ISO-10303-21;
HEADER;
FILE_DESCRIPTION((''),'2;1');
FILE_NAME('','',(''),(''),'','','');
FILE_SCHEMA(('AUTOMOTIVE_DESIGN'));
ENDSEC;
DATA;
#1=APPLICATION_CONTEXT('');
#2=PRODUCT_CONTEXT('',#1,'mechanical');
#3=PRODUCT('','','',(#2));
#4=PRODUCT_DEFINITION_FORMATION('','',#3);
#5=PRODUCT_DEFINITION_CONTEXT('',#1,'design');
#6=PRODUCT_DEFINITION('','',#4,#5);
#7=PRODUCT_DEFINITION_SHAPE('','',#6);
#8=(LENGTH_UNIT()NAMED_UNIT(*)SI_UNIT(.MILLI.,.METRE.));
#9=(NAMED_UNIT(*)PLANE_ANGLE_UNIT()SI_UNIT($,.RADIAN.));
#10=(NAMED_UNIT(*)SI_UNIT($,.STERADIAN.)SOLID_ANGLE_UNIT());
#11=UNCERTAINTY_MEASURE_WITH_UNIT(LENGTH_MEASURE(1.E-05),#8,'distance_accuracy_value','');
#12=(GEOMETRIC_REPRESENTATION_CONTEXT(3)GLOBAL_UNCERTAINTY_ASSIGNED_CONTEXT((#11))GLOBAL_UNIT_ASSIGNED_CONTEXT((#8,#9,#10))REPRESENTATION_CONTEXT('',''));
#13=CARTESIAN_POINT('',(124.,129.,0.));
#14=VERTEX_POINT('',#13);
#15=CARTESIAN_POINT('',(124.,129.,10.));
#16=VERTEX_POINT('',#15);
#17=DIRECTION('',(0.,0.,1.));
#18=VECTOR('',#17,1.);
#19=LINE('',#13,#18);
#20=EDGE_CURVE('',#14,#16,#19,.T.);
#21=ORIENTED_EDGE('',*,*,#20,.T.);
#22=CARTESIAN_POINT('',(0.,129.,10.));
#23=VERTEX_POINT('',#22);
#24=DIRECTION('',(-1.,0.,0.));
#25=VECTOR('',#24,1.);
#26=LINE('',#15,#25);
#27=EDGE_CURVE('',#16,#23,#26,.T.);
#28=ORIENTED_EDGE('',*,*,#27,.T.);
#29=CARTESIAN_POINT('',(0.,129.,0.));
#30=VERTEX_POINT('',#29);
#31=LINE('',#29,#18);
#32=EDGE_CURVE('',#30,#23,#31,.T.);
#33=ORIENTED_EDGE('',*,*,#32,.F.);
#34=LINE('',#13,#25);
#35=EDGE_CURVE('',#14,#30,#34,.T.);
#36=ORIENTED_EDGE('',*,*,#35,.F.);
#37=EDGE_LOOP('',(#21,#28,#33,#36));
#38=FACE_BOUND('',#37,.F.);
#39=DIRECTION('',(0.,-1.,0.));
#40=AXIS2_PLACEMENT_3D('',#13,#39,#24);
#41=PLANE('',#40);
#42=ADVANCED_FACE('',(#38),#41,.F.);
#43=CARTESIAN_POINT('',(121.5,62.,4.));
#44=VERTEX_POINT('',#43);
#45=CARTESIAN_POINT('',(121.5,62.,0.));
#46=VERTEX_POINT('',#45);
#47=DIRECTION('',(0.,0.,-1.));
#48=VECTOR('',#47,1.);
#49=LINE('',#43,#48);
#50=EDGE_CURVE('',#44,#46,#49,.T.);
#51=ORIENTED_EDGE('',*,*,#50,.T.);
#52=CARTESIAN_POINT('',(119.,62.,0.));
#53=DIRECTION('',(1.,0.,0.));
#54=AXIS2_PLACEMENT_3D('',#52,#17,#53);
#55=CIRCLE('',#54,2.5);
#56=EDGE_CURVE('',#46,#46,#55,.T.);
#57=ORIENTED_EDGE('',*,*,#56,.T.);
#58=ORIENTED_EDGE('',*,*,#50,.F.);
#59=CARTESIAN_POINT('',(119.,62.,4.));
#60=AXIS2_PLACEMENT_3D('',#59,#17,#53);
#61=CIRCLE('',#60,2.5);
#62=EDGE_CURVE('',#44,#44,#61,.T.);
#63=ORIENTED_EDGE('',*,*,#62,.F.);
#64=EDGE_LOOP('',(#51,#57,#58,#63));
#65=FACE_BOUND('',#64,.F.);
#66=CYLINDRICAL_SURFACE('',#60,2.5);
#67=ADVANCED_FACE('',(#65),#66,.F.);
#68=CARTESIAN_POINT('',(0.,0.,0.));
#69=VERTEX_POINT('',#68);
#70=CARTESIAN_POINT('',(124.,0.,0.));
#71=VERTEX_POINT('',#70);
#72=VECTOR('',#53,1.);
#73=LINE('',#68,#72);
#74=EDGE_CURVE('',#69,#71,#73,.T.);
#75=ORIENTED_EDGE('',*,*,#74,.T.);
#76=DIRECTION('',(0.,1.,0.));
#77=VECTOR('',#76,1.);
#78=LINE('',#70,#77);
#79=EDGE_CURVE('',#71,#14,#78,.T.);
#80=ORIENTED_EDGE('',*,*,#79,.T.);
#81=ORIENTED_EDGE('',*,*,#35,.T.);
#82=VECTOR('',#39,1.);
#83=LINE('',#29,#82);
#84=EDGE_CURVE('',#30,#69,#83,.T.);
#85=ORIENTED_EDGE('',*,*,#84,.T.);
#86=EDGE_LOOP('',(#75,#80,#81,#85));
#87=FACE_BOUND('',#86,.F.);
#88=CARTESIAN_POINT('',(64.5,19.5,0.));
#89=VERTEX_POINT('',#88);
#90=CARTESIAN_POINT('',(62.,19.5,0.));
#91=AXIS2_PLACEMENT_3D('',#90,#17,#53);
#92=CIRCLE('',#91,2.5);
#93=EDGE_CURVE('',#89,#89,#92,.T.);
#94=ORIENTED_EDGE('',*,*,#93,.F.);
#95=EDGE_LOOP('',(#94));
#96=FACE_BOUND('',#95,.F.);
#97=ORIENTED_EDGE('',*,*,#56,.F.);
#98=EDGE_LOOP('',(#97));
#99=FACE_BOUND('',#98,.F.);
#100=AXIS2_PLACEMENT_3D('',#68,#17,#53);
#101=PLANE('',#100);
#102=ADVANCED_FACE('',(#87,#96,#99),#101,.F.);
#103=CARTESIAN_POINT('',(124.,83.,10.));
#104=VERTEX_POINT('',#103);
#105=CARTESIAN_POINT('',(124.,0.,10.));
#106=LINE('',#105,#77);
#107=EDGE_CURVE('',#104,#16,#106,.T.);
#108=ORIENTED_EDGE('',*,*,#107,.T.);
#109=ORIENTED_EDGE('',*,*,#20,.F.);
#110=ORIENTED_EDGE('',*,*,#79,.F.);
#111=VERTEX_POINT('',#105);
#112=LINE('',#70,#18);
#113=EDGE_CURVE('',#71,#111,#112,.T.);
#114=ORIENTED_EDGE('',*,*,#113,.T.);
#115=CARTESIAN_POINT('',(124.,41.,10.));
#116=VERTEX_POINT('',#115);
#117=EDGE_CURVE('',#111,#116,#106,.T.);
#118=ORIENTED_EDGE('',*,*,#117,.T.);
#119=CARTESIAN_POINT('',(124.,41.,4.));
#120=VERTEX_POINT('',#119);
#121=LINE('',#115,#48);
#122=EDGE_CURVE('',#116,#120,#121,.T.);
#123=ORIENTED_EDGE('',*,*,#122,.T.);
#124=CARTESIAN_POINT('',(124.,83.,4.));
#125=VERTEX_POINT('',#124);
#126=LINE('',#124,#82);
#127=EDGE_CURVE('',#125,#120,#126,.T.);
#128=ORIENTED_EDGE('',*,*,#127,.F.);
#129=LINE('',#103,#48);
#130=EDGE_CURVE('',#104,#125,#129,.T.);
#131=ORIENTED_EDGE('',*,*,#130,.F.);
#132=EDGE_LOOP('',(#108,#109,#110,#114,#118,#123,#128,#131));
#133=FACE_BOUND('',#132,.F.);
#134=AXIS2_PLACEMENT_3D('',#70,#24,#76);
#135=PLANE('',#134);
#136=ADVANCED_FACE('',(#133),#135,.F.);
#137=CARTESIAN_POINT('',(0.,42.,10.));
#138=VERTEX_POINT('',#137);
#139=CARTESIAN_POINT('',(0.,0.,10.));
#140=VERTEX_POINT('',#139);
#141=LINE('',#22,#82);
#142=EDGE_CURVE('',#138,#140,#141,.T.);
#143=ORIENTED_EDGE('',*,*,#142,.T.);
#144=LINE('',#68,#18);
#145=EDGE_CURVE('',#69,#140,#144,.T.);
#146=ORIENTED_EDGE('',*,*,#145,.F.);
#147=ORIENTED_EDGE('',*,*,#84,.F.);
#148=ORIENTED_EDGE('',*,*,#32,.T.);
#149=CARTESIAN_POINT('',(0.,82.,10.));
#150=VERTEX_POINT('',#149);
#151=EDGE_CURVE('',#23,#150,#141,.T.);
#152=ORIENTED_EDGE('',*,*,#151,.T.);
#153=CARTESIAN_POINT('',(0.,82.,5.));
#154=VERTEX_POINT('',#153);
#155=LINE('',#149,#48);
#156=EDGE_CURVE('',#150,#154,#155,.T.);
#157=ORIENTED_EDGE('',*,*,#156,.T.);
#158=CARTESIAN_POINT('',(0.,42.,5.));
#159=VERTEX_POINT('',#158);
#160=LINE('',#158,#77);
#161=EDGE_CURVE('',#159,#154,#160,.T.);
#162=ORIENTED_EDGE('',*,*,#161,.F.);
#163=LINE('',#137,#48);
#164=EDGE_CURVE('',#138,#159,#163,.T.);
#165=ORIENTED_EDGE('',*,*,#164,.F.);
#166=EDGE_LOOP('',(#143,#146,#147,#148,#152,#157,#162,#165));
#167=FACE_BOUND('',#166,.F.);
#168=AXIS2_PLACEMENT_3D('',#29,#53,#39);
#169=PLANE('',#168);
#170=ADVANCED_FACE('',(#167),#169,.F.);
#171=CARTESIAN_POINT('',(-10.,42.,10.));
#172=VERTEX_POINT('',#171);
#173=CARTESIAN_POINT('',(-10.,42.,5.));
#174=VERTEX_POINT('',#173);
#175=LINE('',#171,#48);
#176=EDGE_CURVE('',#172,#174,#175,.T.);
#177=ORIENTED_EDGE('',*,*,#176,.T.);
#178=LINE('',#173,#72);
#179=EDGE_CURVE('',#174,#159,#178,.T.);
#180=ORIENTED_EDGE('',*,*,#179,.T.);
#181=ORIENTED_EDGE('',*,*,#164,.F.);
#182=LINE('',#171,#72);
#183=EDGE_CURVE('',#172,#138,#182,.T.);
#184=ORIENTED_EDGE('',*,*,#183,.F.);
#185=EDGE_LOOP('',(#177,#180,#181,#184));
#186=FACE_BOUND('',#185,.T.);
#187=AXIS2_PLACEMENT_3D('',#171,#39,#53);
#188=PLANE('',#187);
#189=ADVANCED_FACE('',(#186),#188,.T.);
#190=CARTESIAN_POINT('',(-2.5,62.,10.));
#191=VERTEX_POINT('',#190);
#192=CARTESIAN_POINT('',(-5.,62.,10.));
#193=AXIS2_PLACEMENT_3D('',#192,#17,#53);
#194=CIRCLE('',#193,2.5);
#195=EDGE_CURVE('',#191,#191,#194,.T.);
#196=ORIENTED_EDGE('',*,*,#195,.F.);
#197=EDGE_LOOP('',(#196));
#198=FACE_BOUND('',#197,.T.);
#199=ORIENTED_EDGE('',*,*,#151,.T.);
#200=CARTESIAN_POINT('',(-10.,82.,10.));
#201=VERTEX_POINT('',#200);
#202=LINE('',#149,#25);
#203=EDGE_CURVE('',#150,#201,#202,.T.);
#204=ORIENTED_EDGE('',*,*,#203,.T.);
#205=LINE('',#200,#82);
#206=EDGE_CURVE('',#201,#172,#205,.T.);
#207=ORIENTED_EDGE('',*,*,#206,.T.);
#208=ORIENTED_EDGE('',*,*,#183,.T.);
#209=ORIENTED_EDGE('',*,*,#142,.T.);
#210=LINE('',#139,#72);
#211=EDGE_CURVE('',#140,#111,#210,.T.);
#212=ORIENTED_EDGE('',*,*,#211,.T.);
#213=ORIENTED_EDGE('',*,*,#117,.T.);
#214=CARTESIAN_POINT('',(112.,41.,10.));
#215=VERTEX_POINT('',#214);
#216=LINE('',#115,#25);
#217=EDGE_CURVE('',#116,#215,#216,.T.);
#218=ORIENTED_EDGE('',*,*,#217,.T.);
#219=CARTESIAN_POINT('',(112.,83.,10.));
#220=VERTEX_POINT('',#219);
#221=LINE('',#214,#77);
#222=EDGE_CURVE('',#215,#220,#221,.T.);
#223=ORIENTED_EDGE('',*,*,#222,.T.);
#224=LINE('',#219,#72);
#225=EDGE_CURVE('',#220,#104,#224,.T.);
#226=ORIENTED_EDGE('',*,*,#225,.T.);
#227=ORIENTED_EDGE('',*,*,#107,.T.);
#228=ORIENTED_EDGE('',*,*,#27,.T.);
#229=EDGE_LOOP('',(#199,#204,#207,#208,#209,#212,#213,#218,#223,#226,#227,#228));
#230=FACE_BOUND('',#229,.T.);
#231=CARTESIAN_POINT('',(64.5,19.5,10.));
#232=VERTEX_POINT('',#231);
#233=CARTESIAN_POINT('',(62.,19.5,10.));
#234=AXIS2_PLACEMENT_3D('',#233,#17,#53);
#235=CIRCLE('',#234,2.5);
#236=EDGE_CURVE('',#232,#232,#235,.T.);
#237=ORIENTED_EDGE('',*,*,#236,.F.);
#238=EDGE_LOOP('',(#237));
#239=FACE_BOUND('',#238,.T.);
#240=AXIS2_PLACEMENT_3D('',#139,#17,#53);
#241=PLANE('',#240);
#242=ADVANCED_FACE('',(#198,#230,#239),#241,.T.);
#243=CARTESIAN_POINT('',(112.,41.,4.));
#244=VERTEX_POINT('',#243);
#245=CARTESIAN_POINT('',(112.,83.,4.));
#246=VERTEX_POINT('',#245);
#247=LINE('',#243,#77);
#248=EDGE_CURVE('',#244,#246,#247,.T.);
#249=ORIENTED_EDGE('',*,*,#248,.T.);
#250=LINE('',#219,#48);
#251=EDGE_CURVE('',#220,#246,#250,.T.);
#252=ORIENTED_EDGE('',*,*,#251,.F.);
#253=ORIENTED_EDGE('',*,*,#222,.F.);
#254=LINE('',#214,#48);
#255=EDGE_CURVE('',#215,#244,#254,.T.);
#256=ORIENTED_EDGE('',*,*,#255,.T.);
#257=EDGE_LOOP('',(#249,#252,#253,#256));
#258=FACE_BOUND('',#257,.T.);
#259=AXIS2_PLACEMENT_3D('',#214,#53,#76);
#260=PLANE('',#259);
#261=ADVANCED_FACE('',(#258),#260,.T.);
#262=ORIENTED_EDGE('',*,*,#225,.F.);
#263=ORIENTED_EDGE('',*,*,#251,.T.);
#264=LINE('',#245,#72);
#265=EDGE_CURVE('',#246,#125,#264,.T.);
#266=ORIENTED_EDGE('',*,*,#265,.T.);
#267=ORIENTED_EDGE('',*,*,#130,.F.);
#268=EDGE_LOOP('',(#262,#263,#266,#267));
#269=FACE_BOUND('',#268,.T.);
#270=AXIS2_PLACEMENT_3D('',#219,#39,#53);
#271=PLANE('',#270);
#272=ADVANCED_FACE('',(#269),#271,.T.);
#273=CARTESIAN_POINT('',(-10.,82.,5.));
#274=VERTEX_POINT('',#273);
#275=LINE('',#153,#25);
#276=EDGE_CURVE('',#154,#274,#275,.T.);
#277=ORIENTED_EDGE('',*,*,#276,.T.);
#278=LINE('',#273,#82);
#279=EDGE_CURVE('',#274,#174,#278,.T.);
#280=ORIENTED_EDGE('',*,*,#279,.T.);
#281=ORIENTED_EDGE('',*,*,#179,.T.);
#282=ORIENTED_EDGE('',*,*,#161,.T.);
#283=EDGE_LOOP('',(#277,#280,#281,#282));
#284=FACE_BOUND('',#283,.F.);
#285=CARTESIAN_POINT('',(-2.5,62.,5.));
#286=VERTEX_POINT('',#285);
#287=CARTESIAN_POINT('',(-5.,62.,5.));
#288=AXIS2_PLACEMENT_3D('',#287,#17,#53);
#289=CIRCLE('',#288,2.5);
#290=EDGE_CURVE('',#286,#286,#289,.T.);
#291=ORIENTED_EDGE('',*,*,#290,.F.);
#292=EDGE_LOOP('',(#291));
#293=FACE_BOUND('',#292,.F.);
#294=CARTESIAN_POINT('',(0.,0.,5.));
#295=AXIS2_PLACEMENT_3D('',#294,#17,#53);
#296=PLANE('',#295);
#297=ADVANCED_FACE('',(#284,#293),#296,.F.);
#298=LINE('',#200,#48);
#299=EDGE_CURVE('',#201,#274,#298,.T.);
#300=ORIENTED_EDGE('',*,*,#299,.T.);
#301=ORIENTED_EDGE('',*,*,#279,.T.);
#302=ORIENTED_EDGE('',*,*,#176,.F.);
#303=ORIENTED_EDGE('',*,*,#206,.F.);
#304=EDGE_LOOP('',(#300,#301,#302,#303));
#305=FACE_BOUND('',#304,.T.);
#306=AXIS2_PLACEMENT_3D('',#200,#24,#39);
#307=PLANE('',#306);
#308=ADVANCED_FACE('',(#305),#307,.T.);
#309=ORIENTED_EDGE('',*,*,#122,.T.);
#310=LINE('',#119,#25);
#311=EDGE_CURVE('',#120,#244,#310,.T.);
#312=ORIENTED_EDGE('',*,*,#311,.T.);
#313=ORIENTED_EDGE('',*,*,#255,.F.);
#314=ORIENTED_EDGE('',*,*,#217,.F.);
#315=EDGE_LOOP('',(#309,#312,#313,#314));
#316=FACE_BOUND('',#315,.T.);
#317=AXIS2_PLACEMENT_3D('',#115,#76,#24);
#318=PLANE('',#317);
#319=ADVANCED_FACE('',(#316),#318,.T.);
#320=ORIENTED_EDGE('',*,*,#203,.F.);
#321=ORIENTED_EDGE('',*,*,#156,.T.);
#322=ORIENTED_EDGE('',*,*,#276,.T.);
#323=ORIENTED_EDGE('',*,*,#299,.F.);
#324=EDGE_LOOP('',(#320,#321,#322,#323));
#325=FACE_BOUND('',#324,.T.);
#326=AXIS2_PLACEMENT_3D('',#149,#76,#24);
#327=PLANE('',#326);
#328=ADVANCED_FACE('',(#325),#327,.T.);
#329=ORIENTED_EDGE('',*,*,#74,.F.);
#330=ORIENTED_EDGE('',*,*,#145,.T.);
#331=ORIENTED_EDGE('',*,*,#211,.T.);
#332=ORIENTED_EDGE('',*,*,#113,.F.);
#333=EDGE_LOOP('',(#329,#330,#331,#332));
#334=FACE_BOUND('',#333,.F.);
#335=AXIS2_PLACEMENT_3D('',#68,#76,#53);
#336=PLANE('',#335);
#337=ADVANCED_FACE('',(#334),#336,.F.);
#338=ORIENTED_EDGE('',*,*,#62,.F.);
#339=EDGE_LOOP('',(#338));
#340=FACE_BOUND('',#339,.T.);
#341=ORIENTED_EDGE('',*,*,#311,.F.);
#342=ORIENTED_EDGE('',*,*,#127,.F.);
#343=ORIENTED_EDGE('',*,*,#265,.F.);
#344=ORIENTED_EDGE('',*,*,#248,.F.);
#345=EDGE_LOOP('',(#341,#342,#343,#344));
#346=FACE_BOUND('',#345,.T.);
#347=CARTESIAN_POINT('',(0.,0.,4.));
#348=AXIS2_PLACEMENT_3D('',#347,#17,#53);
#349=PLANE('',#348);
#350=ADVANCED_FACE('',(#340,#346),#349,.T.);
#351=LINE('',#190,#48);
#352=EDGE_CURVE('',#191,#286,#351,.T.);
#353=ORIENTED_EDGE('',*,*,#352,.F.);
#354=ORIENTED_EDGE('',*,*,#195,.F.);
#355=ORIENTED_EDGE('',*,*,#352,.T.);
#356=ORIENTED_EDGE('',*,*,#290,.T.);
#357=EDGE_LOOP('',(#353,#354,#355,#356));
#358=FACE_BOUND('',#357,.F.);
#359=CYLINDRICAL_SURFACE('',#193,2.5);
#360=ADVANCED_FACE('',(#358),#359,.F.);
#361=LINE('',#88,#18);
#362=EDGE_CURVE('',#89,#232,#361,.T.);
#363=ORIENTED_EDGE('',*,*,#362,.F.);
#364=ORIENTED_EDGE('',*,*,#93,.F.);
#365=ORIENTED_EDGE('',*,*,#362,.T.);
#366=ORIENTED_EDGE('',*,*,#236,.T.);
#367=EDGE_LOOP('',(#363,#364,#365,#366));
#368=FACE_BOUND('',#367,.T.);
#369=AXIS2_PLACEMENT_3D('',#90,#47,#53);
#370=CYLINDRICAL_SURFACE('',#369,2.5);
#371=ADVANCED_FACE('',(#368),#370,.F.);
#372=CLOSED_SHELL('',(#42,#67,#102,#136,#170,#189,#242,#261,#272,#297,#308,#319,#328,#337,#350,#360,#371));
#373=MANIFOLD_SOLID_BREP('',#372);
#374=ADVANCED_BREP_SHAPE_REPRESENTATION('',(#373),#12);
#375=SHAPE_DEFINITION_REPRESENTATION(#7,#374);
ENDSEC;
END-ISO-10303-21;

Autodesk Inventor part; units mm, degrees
ref_plane "YZ Plane" through (0, 0, 0) normal (1, 0, 0) x (0, 1, 0)
ref_plane "XZ Plane" through (0, 0, 0) normal (0, 1, 0) x (-1, 0, 0)
ref_plane "XY Plane" through (0, 0, 0) normal (0, 0, 1) x (1, 0, 0)
sketch "Sketch1" plane through (0, 0, 0) normal (0, 0, 1) x (1, 0, 0)
  line L0 (0, 0) -> (124, 0)
  line L1 (124, 0) -> (124, 129)
  line L2 (124, 129) -> (0, 129)
  line L3 (0, 129) -> (0, 0)
  circle A0 centre (62, 19.5) radius 2.5
  point P0 (62, 0)
  dimension "d0" = 124
  dimension "d1" = 129
  dimension "d2" = 5
  dimension "d3" = 19.5
extrude "Extrusion1" add sketch "Sketch1" along normal blind 10
sketch "Sketch2" plane through (0, 0, 10) normal (0, 0, 1) x (1, 0, 0)
  line L0 (0, 82) -> (-10, 82)
  line L1 (-10, 82) -> (-10, 42)
  line L2 (-10, 42) -> (0, 42)
  line L3 (0, 42) -> (0, 82)
  circle A0 centre (-5, 62) radius 2.5
  line L4 (0, 124) -> (0, 0)
  line L5 (0, 129) -> (0, 0) projected
  point P0 (-10, 62)
  point P1 (0, 62)
  point P2 (-5, 82)
  point P3 (0, 62)
  dimension "d8" = 10
  dimension "d9" = 40
  dimension "d10" = 5
  dimension "d27" = 124
extrude "Extrusion2" add sketch "Sketch2" against normal blind 5
sketch "Sketch3" plane through (0, 0, 10) normal (0, 0, 1) x (1, 0, 0)
  line L0 (124, 41) -> (112, 41)
  line L1 (112, 41) -> (112, 83)
  line L2 (112, 83) -> (124, 83)
  line L3 (124, 83) -> (124, 41)
  line L4 (124, 0) -> (124, 129) projected
  line L5 (124, 124) -> (124, 0)
  point P0 (0, 0)
  point P1 (112, 62)
  point P2 (124, 62)
  point P3 (124, 62)
  dimension "d13" = 12
  dimension "d14" = 42
  dimension "d28" = 124
extrude "Extrusion3" cut sketch "Sketch3" against normal blind 6
sketch "Sketch4" plane through (0, 0, 4) normal (0, 0, 1) x (1, 0, 0)
  line L0 (124, 41) -> (112, 41) construction
  line L1 (124, 83) -> (124, 41) construction
  line L2 (112, 83) -> (124, 83) construction
  line L3 (112, 41) -> (112, 83) construction
  circle A0 centre (119, 62) radius 2.5
  point P0 (0, 0)
  point P1 (124, 62)
  point P2 (118, 41)
  dimension "d17" = 5
  dimension "d29" = 5
extrude "Extrusion4" cut sketch "Sketch4" against normal through all
properties part number "TA002" material "ABS Plastic"
